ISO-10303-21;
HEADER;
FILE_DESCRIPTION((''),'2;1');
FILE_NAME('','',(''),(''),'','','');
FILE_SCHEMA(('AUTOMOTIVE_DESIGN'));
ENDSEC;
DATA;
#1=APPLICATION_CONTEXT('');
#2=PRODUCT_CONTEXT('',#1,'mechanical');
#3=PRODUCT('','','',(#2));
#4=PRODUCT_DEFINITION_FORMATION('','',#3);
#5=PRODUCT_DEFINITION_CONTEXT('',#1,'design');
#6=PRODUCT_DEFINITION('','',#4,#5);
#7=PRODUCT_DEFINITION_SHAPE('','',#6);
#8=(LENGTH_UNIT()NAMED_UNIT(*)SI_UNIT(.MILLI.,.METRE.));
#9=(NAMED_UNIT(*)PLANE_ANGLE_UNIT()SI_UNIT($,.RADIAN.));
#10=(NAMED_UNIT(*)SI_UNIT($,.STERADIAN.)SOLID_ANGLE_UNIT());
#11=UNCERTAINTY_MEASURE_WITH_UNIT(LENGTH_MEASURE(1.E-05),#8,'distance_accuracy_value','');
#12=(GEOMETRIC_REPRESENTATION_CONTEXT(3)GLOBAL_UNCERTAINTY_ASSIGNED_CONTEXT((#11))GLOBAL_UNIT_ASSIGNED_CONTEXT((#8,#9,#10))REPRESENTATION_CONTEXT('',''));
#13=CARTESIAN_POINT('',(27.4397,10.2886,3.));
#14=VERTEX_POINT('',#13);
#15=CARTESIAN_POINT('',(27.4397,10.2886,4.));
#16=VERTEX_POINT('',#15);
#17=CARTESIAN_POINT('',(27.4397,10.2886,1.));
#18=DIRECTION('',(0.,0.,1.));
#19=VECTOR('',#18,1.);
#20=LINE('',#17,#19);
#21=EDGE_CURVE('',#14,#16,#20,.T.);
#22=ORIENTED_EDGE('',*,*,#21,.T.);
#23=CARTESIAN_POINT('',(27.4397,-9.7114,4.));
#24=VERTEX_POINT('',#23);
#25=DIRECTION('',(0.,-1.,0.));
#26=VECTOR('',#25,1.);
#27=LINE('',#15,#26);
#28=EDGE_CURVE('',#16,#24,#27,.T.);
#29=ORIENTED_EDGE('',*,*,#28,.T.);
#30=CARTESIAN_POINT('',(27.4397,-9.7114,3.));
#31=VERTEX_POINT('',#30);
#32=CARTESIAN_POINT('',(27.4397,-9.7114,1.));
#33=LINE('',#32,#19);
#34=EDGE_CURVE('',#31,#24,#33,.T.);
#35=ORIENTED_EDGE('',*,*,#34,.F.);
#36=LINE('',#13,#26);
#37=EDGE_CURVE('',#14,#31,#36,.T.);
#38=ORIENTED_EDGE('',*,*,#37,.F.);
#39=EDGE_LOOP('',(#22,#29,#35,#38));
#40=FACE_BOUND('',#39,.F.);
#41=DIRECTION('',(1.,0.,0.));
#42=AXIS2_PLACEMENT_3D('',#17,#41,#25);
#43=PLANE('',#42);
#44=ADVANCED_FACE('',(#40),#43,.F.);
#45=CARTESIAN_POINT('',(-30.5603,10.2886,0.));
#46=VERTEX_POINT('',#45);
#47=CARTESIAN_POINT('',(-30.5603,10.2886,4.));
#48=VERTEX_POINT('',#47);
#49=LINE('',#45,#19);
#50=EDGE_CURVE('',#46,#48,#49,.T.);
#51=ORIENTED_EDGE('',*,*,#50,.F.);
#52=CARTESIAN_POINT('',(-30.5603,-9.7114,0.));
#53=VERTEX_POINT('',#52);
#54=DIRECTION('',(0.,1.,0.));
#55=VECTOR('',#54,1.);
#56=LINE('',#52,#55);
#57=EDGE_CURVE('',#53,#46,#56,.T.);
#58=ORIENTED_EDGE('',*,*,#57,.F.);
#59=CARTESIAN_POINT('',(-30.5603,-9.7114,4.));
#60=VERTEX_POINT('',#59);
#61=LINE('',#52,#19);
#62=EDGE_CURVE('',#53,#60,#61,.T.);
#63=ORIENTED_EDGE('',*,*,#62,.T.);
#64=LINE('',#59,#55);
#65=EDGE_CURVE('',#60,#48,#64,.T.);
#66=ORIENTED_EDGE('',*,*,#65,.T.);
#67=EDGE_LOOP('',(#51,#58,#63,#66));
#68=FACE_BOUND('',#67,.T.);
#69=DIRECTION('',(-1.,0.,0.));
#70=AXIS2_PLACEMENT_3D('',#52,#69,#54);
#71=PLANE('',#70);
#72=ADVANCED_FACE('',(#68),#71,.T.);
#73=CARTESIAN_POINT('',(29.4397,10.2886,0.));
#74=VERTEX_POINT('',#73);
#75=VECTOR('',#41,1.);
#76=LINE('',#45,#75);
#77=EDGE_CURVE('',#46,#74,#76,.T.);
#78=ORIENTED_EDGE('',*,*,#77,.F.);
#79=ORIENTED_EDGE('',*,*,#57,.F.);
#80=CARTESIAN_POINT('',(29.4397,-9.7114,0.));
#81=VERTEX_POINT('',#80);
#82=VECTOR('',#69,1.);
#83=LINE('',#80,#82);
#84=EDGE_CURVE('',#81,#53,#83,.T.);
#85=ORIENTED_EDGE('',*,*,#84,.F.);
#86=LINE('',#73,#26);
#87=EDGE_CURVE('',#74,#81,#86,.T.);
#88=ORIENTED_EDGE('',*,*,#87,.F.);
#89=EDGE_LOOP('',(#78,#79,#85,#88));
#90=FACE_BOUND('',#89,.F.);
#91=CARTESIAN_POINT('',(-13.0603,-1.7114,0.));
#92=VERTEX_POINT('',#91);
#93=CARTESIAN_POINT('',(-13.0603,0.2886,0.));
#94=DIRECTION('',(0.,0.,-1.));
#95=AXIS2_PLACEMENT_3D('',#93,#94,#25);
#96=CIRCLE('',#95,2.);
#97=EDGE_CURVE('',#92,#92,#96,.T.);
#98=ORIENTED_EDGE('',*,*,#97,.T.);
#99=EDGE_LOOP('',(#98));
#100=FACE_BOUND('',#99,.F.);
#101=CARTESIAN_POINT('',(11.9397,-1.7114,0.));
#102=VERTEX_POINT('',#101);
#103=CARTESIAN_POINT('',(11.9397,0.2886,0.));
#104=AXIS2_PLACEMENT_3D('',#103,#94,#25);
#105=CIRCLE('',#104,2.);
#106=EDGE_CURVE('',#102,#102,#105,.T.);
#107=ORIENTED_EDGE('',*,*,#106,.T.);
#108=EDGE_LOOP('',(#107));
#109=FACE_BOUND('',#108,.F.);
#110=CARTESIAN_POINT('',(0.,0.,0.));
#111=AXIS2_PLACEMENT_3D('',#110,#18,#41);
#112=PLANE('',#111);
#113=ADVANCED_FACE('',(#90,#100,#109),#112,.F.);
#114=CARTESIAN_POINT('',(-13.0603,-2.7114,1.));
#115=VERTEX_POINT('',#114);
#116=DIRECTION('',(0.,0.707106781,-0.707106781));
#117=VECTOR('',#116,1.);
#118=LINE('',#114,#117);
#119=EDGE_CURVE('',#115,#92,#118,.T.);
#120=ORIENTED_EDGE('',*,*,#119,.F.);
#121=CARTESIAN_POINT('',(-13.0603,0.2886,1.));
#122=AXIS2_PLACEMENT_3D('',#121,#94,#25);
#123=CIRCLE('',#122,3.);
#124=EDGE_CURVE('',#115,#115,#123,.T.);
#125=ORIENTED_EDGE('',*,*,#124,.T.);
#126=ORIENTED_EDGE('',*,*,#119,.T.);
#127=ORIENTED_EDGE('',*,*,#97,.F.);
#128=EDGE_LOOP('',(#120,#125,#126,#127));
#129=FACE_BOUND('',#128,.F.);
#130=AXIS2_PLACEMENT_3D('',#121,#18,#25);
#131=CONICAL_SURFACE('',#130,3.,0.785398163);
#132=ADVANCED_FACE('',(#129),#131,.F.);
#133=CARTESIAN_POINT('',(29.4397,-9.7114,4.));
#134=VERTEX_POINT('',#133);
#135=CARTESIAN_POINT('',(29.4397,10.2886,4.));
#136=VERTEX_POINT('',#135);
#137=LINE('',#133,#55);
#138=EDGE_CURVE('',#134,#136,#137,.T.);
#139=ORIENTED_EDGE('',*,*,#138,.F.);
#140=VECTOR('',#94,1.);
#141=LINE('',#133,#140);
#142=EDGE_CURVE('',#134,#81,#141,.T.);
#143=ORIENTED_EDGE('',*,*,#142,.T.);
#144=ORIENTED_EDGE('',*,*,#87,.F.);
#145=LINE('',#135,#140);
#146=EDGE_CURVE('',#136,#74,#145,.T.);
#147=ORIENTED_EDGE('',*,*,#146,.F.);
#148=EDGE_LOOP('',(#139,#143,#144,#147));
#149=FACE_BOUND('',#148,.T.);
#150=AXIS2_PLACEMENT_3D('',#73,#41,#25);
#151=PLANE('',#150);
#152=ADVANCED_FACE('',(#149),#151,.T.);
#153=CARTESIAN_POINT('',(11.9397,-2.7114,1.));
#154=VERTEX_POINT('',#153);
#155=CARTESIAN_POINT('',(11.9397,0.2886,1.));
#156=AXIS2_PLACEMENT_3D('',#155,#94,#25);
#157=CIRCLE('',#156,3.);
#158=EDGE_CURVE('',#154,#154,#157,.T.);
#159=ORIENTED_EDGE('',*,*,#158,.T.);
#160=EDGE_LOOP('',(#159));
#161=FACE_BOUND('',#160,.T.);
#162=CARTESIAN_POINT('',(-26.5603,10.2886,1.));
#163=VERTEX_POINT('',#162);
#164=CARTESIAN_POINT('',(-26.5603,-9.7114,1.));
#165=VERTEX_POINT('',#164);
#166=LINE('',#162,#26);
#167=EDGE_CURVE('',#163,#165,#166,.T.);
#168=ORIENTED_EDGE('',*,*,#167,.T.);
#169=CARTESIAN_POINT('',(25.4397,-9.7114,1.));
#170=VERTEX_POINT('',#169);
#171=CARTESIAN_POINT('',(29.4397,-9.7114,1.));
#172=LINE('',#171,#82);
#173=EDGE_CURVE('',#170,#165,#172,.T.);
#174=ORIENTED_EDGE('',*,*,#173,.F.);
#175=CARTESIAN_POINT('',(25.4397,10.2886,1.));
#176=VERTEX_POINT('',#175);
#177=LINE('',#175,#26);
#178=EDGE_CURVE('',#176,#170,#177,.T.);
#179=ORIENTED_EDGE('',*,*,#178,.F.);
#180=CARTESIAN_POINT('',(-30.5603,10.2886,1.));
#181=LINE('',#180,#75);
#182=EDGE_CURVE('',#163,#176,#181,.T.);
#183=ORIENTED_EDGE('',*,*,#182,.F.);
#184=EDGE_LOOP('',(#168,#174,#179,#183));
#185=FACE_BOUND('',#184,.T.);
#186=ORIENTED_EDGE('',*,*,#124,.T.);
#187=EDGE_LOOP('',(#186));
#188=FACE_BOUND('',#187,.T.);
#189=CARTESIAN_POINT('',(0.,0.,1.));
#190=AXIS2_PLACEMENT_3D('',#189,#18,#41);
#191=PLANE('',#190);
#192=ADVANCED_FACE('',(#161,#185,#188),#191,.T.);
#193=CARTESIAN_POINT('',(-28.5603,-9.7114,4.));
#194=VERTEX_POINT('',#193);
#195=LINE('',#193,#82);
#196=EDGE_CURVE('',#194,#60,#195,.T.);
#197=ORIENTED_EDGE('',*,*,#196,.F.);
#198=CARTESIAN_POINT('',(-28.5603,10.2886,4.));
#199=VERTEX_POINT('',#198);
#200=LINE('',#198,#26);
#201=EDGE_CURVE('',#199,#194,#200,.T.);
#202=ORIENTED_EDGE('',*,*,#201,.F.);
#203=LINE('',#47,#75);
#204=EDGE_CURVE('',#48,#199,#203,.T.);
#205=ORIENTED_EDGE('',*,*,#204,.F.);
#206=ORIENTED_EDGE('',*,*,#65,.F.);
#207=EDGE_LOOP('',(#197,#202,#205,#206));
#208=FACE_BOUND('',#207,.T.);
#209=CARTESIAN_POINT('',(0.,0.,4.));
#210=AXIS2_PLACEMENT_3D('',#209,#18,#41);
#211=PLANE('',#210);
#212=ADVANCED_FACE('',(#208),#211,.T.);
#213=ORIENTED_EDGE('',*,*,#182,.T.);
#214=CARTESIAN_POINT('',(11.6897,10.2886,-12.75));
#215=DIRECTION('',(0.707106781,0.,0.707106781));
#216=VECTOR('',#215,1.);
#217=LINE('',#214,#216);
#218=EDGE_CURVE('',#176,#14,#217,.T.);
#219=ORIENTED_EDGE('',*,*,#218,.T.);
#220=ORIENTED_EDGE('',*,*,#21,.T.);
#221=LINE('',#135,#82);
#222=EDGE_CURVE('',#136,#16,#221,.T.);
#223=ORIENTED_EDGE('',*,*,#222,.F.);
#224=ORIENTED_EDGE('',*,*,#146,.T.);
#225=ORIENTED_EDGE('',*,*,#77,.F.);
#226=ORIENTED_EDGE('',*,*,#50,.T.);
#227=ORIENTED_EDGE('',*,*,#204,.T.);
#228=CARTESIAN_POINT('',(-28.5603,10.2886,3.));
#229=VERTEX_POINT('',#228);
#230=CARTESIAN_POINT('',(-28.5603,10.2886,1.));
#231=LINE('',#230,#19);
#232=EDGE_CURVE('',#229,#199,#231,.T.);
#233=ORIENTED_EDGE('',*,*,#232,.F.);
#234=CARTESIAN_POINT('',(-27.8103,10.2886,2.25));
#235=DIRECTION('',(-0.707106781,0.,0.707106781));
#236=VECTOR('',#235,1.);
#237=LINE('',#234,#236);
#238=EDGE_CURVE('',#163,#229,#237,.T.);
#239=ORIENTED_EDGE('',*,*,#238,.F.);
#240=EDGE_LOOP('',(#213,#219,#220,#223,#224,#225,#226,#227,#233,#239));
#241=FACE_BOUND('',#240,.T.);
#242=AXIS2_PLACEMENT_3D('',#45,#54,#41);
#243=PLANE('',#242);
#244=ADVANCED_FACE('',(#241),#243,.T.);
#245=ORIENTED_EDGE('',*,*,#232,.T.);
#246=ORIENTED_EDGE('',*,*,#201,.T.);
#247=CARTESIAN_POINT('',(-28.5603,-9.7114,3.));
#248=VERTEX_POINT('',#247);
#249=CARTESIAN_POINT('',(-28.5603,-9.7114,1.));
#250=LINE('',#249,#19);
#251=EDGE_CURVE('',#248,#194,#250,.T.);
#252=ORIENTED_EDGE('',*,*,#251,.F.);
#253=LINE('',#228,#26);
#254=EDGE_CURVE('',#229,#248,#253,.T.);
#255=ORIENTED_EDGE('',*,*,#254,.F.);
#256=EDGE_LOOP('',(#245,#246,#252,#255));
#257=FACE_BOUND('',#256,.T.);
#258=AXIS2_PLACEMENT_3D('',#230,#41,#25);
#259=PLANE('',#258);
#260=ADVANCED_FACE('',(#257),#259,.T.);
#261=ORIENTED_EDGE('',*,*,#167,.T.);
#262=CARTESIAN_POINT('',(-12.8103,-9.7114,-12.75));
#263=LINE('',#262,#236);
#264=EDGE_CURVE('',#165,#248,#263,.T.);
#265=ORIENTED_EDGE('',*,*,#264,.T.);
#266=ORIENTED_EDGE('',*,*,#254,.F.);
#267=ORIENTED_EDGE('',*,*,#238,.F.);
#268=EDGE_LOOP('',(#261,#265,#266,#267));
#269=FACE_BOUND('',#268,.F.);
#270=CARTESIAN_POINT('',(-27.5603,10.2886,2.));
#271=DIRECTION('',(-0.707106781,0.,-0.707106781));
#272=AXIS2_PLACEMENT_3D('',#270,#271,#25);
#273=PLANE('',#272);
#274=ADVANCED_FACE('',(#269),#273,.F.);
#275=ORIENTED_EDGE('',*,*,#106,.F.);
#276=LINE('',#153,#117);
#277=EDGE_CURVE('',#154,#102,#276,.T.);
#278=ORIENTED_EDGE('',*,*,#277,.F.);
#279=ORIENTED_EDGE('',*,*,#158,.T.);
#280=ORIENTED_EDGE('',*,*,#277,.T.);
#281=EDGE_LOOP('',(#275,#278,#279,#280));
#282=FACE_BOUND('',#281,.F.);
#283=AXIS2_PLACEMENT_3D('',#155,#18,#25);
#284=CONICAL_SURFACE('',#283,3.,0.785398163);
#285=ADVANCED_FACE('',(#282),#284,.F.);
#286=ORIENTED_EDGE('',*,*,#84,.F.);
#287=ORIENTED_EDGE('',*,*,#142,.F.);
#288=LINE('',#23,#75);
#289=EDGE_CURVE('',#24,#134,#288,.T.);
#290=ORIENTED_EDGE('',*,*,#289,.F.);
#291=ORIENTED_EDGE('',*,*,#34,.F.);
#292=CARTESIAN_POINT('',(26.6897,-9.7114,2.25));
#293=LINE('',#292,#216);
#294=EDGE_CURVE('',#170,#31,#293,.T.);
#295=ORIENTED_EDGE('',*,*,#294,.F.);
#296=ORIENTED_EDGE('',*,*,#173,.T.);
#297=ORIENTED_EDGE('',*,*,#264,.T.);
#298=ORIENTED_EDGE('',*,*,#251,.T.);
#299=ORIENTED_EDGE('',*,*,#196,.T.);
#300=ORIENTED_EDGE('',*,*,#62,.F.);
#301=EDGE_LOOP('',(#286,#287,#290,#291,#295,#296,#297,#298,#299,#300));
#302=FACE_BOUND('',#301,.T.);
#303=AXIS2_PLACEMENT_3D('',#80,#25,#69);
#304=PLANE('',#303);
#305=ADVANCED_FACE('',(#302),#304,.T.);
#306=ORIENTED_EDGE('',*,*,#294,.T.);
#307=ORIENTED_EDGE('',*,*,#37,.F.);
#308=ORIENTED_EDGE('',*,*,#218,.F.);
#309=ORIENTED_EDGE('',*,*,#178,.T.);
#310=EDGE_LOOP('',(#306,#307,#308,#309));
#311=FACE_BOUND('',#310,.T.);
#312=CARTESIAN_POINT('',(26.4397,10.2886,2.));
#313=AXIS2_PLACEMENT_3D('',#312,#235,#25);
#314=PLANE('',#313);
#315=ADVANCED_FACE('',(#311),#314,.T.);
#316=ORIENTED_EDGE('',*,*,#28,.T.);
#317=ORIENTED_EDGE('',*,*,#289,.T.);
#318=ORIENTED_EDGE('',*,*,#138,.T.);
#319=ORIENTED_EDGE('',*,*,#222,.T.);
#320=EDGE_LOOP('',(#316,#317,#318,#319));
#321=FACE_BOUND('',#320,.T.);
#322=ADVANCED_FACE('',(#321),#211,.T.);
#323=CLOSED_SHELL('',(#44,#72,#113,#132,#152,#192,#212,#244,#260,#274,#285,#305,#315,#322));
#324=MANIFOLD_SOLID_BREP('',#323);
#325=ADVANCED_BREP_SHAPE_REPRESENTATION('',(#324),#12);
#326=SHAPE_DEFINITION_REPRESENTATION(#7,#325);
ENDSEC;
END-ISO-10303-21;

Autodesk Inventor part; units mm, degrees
ref_plane "YZ Plane" through (0, 0, 0) normal (1, 0, 0) x (0, 1, 0)
ref_plane "XZ Plane" through (0, 0, 0) normal (0, 1, 0) x (-1, 0, 0)
ref_plane "XY Plane" through (0, 0, 0) normal (0, 0, 1) x (1, 0, 0)
sketch "Sketch1" plane through (0, 0, 0) normal (0, 0, 1) x (1, 0, 0)
  line L0 (-30.5603, 10.2886) -> (29.4397, 10.2886)
  line L1 (29.4397, 10.2886) -> (29.4397, -9.7114)
  line L2 (29.4397, -9.7114) -> (-30.5603, -9.7114)
  line L3 (-30.5603, -9.7114) -> (-30.5603, 10.2886)
  point P0 (0, 0)
  dimension "d0" = 60
  dimension "d1" = 20
extrude "Extrusion1" add sketch "Sketch1" along normal blind 1
sketch "Sketch2" plane through (0, 0, 1) normal (0, 0, 1) x (1, 0, 0)
  line L0 (-30.5603, 10.2886) -> (-30.5603, -9.7114) projected
  line L1 (-30.5603, 10.2886) -> (29.4397, 10.2886) projected
  line L2 (29.4397, -9.7114) -> (29.4397, 10.2886) projected
  point P0 (0, 0)
  point P1 (-13.0603, 0.2886)
  point P2 (11.9397, 0.2886)
  dimension "d4" = 25
  dimension "d5" = 17.5
  dimension "d6" = 10
  dimension "d7" = 10
  dimension "d8" = 17.5
hole "Hole1" at (-13.0603, 0.2886, 1) at (11.9397, 0.2886, 1) direction (0, 0, -1) diameter 3 depth 8 tip angle 118 countersink diameter 6 countersink angle 90
sketch "Sketch3" plane through (0, 0, 1) normal (0, 0, 1) x (1, 0, 0)
  line L0 (-30.5603, 10.2886) -> (-28.5603, 10.2886)
  line L1 (-28.5603, 10.2886) -> (-28.5603, -9.7114)
  line L2 (-28.5603, -9.7114) -> (-30.5603, -9.7114)
  line L3 (-30.5603, -9.7114) -> (-30.5603, 10.2886)
  line L4 (29.4397, 10.2886) -> (27.4397, 10.2886)
  line L5 (27.4397, 10.2886) -> (27.4397, -9.7114)
  line L6 (27.4397, -9.7114) -> (29.4397, -9.7114)
  line L7 (29.4397, -9.7114) -> (29.4397, 10.2886)
  line L8 (-30.5603, -9.7114) -> (29.4397, -9.7114) projected
  point P0 (0, 0)
  dimension "d16" = 2
  dimension "d17" = 2
extrude "Extrusion2" add sketch "Sketch3" along normal blind 3
chamfer "Chamfer1" distance 2 angle 45 2 edges at (-28.5603, 0.2886, 1) (27.4397, 0.2886, 1)
properties part number "head mount"
